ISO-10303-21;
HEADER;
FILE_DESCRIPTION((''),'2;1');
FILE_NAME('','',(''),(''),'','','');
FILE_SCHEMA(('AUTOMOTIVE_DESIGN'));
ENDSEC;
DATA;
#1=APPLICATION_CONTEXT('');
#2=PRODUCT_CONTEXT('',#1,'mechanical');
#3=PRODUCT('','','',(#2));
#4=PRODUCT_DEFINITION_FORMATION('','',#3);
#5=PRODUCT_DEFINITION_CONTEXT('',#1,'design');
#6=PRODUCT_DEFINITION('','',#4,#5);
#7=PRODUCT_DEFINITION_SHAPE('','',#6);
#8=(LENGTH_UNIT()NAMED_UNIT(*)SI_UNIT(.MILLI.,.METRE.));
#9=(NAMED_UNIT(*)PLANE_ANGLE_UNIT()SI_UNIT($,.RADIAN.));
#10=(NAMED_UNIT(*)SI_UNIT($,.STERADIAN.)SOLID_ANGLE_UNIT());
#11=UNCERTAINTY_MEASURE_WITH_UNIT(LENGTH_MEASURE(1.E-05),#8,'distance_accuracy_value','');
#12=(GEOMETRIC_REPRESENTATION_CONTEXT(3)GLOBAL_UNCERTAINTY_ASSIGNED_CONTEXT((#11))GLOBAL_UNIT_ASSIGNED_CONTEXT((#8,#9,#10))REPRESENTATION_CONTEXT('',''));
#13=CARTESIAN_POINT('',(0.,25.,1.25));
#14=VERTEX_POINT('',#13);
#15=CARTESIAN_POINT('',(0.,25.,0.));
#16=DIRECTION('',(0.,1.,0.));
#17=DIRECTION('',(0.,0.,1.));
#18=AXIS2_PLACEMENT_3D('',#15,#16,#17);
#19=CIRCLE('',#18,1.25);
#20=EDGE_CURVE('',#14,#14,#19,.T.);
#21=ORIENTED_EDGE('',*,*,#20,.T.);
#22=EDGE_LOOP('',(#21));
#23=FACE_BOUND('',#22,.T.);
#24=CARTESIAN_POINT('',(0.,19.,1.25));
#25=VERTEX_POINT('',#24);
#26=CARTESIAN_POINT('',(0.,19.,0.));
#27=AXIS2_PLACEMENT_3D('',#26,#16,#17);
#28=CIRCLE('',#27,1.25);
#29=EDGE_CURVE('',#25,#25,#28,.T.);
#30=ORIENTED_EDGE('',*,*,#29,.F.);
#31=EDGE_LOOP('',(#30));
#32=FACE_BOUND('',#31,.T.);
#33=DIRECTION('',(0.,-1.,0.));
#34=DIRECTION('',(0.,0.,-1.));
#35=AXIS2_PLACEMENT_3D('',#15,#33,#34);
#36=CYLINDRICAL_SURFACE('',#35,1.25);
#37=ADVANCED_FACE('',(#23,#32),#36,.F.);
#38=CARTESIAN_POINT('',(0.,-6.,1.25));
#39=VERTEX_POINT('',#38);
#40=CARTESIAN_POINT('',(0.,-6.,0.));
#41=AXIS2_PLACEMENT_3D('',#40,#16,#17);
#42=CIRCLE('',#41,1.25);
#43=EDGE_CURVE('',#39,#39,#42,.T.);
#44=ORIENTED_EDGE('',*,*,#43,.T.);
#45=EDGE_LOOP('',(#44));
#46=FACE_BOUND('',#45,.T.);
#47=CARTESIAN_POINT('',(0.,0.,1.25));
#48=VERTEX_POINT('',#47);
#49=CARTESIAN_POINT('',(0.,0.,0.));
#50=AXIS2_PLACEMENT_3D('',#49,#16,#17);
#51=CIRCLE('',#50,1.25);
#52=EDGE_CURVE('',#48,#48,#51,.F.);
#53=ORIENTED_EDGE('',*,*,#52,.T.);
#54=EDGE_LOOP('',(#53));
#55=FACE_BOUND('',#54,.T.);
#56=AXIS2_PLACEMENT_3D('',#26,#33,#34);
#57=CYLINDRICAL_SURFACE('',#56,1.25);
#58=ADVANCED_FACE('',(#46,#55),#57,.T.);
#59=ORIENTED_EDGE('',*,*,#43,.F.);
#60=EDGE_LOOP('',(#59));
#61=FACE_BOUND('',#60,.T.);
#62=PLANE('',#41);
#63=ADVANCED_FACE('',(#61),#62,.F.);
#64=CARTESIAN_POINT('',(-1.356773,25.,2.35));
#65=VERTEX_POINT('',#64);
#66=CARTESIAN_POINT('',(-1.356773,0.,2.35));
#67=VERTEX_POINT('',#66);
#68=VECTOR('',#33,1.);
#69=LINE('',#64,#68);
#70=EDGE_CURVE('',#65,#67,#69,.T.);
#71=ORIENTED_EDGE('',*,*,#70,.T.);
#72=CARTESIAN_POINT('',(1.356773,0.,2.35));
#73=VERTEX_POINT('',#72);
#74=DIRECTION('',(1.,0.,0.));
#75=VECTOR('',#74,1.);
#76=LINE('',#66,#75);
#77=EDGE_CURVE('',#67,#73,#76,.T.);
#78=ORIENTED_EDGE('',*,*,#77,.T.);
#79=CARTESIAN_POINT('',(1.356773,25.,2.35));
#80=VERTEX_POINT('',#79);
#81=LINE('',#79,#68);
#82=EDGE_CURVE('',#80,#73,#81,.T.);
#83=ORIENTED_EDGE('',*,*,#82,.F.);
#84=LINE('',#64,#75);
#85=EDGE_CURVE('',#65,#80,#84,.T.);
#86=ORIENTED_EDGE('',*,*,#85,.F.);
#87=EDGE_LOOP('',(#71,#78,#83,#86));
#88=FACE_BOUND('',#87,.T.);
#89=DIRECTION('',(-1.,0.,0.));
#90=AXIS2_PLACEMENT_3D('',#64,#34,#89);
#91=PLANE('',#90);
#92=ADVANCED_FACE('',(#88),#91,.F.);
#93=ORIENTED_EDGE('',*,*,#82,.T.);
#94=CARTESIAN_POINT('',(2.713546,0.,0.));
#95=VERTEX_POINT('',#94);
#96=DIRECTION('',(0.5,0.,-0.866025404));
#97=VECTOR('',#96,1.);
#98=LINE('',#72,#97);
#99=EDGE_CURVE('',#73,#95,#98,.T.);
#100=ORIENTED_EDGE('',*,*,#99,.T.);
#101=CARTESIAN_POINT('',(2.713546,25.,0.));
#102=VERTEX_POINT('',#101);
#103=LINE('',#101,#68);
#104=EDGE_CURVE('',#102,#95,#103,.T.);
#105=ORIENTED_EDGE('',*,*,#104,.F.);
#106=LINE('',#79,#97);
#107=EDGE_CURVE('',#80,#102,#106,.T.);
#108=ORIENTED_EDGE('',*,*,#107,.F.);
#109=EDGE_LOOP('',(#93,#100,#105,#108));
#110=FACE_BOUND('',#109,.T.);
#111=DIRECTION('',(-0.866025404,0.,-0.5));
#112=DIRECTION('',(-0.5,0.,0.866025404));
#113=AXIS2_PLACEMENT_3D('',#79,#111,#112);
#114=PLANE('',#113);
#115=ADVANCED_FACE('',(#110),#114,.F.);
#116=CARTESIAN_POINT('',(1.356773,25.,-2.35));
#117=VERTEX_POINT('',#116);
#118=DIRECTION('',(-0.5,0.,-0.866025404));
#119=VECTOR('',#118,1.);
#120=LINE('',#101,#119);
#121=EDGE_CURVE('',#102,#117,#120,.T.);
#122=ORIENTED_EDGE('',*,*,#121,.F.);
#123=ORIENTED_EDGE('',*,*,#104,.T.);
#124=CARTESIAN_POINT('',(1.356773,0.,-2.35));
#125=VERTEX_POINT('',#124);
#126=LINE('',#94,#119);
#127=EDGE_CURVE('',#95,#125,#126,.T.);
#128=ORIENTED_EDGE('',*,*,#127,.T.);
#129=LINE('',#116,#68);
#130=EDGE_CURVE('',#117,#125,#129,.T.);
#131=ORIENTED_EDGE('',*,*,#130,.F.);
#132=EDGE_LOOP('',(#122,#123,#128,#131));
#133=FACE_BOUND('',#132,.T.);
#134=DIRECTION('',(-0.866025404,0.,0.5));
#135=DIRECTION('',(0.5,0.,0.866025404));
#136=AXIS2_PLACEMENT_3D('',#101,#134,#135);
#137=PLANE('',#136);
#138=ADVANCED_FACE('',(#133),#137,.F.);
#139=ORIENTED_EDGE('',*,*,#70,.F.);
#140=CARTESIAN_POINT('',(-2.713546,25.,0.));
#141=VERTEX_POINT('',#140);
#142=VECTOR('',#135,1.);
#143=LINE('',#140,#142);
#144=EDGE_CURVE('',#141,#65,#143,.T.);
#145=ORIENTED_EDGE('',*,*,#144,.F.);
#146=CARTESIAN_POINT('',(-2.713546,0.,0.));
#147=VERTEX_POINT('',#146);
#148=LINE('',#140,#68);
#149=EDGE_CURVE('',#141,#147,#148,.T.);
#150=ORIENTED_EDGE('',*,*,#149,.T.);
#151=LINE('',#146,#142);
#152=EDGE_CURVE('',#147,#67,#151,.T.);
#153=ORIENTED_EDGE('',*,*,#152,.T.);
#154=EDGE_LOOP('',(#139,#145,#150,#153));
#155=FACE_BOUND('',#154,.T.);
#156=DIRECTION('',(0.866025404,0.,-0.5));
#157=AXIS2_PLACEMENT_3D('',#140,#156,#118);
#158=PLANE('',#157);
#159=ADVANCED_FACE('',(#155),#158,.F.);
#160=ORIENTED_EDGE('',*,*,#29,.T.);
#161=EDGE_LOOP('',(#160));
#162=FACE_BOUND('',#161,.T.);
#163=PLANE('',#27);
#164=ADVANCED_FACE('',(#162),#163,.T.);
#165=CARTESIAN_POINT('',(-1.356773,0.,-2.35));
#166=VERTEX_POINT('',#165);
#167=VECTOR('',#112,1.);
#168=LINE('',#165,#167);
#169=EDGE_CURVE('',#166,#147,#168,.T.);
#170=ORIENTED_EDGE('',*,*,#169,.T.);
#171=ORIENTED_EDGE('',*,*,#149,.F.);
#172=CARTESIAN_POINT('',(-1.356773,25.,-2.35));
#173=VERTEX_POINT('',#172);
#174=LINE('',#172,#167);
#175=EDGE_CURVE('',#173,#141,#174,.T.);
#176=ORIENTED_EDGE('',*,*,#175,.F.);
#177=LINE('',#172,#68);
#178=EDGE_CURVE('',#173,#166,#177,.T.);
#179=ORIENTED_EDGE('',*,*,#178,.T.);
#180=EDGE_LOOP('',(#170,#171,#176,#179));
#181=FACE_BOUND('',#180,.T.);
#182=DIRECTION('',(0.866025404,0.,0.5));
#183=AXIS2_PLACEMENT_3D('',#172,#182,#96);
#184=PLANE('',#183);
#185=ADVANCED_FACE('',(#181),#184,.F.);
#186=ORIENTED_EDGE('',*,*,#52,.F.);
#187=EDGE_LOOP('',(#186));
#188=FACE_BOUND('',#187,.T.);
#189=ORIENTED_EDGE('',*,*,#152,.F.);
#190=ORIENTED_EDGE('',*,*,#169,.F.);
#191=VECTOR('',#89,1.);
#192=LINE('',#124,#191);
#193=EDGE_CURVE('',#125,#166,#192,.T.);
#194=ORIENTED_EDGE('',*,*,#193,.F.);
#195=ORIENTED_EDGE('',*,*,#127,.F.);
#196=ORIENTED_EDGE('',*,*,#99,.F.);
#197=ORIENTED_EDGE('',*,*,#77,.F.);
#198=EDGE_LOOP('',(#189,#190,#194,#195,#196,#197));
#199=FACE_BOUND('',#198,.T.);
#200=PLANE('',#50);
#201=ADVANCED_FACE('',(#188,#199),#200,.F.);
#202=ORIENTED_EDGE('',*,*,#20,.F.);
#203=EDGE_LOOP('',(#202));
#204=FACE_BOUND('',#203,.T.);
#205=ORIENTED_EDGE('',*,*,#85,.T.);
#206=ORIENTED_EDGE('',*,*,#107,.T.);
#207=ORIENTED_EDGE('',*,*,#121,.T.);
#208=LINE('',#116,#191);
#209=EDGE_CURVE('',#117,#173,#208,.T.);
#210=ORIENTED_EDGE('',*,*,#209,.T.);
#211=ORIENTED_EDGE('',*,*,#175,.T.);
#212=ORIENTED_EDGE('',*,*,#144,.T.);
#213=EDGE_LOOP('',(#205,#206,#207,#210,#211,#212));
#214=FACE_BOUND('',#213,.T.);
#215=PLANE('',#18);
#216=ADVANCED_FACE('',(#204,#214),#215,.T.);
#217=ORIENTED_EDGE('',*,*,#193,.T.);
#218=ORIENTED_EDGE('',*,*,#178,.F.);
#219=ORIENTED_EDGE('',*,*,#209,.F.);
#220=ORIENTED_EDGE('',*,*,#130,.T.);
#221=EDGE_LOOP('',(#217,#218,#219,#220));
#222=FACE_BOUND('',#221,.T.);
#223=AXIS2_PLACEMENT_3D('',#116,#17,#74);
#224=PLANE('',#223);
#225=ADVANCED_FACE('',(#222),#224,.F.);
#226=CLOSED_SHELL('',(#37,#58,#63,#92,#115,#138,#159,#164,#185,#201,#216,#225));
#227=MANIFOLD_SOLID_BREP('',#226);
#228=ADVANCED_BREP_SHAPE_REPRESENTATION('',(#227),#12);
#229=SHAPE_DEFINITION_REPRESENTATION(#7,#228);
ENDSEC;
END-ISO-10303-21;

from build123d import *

# Parameters (mm, degrees)
SKETCH1_R                = 1.25
BOSS_EXTRUDE1_DEPTH      = 25
BOSS_EXTRUDE3_DEPTH      = 19
BOSS_EXTRUDE3_DEPTH_BACK = 6
SKETCH2_R                = 1.25


with BuildPart() as part:
    # Sketch1 → Boss-Extrude1 (new body)
    with BuildSketch(Plane(origin=(0, 0, 0), x_dir=(1, 0, 0), z_dir=(0, 1, 0))):
        Polygon((1.356773133, 2.35), (-1.356773133, 2.35), (-2.713546265, 0), (-1.356773133, -2.35), (1.356773133, -2.35), (2.713546265, 0), align=None)
        with Locations(Location((0, 0, 0), (0, 0, 270))):
            Circle(SKETCH1_R, mode=Mode.SUBTRACT)
    extrude(amount=BOSS_EXTRUDE1_DEPTH)

    # Sketch2 → Boss-Extrude3 (add, two sides: drawn at the far end of the back side and taken through both)
    with BuildSketch(Plane(origin=(0, 0, 0), x_dir=(1, 0, 0), z_dir=(0, 1, 0)).offset(-BOSS_EXTRUDE3_DEPTH_BACK)):
        with Locations(Location((0, 0, 0), (0, 0, 270))):
            Circle(SKETCH2_R)
    extrude(amount=BOSS_EXTRUDE3_DEPTH + BOSS_EXTRUDE3_DEPTH_BACK)


solid = part.part
